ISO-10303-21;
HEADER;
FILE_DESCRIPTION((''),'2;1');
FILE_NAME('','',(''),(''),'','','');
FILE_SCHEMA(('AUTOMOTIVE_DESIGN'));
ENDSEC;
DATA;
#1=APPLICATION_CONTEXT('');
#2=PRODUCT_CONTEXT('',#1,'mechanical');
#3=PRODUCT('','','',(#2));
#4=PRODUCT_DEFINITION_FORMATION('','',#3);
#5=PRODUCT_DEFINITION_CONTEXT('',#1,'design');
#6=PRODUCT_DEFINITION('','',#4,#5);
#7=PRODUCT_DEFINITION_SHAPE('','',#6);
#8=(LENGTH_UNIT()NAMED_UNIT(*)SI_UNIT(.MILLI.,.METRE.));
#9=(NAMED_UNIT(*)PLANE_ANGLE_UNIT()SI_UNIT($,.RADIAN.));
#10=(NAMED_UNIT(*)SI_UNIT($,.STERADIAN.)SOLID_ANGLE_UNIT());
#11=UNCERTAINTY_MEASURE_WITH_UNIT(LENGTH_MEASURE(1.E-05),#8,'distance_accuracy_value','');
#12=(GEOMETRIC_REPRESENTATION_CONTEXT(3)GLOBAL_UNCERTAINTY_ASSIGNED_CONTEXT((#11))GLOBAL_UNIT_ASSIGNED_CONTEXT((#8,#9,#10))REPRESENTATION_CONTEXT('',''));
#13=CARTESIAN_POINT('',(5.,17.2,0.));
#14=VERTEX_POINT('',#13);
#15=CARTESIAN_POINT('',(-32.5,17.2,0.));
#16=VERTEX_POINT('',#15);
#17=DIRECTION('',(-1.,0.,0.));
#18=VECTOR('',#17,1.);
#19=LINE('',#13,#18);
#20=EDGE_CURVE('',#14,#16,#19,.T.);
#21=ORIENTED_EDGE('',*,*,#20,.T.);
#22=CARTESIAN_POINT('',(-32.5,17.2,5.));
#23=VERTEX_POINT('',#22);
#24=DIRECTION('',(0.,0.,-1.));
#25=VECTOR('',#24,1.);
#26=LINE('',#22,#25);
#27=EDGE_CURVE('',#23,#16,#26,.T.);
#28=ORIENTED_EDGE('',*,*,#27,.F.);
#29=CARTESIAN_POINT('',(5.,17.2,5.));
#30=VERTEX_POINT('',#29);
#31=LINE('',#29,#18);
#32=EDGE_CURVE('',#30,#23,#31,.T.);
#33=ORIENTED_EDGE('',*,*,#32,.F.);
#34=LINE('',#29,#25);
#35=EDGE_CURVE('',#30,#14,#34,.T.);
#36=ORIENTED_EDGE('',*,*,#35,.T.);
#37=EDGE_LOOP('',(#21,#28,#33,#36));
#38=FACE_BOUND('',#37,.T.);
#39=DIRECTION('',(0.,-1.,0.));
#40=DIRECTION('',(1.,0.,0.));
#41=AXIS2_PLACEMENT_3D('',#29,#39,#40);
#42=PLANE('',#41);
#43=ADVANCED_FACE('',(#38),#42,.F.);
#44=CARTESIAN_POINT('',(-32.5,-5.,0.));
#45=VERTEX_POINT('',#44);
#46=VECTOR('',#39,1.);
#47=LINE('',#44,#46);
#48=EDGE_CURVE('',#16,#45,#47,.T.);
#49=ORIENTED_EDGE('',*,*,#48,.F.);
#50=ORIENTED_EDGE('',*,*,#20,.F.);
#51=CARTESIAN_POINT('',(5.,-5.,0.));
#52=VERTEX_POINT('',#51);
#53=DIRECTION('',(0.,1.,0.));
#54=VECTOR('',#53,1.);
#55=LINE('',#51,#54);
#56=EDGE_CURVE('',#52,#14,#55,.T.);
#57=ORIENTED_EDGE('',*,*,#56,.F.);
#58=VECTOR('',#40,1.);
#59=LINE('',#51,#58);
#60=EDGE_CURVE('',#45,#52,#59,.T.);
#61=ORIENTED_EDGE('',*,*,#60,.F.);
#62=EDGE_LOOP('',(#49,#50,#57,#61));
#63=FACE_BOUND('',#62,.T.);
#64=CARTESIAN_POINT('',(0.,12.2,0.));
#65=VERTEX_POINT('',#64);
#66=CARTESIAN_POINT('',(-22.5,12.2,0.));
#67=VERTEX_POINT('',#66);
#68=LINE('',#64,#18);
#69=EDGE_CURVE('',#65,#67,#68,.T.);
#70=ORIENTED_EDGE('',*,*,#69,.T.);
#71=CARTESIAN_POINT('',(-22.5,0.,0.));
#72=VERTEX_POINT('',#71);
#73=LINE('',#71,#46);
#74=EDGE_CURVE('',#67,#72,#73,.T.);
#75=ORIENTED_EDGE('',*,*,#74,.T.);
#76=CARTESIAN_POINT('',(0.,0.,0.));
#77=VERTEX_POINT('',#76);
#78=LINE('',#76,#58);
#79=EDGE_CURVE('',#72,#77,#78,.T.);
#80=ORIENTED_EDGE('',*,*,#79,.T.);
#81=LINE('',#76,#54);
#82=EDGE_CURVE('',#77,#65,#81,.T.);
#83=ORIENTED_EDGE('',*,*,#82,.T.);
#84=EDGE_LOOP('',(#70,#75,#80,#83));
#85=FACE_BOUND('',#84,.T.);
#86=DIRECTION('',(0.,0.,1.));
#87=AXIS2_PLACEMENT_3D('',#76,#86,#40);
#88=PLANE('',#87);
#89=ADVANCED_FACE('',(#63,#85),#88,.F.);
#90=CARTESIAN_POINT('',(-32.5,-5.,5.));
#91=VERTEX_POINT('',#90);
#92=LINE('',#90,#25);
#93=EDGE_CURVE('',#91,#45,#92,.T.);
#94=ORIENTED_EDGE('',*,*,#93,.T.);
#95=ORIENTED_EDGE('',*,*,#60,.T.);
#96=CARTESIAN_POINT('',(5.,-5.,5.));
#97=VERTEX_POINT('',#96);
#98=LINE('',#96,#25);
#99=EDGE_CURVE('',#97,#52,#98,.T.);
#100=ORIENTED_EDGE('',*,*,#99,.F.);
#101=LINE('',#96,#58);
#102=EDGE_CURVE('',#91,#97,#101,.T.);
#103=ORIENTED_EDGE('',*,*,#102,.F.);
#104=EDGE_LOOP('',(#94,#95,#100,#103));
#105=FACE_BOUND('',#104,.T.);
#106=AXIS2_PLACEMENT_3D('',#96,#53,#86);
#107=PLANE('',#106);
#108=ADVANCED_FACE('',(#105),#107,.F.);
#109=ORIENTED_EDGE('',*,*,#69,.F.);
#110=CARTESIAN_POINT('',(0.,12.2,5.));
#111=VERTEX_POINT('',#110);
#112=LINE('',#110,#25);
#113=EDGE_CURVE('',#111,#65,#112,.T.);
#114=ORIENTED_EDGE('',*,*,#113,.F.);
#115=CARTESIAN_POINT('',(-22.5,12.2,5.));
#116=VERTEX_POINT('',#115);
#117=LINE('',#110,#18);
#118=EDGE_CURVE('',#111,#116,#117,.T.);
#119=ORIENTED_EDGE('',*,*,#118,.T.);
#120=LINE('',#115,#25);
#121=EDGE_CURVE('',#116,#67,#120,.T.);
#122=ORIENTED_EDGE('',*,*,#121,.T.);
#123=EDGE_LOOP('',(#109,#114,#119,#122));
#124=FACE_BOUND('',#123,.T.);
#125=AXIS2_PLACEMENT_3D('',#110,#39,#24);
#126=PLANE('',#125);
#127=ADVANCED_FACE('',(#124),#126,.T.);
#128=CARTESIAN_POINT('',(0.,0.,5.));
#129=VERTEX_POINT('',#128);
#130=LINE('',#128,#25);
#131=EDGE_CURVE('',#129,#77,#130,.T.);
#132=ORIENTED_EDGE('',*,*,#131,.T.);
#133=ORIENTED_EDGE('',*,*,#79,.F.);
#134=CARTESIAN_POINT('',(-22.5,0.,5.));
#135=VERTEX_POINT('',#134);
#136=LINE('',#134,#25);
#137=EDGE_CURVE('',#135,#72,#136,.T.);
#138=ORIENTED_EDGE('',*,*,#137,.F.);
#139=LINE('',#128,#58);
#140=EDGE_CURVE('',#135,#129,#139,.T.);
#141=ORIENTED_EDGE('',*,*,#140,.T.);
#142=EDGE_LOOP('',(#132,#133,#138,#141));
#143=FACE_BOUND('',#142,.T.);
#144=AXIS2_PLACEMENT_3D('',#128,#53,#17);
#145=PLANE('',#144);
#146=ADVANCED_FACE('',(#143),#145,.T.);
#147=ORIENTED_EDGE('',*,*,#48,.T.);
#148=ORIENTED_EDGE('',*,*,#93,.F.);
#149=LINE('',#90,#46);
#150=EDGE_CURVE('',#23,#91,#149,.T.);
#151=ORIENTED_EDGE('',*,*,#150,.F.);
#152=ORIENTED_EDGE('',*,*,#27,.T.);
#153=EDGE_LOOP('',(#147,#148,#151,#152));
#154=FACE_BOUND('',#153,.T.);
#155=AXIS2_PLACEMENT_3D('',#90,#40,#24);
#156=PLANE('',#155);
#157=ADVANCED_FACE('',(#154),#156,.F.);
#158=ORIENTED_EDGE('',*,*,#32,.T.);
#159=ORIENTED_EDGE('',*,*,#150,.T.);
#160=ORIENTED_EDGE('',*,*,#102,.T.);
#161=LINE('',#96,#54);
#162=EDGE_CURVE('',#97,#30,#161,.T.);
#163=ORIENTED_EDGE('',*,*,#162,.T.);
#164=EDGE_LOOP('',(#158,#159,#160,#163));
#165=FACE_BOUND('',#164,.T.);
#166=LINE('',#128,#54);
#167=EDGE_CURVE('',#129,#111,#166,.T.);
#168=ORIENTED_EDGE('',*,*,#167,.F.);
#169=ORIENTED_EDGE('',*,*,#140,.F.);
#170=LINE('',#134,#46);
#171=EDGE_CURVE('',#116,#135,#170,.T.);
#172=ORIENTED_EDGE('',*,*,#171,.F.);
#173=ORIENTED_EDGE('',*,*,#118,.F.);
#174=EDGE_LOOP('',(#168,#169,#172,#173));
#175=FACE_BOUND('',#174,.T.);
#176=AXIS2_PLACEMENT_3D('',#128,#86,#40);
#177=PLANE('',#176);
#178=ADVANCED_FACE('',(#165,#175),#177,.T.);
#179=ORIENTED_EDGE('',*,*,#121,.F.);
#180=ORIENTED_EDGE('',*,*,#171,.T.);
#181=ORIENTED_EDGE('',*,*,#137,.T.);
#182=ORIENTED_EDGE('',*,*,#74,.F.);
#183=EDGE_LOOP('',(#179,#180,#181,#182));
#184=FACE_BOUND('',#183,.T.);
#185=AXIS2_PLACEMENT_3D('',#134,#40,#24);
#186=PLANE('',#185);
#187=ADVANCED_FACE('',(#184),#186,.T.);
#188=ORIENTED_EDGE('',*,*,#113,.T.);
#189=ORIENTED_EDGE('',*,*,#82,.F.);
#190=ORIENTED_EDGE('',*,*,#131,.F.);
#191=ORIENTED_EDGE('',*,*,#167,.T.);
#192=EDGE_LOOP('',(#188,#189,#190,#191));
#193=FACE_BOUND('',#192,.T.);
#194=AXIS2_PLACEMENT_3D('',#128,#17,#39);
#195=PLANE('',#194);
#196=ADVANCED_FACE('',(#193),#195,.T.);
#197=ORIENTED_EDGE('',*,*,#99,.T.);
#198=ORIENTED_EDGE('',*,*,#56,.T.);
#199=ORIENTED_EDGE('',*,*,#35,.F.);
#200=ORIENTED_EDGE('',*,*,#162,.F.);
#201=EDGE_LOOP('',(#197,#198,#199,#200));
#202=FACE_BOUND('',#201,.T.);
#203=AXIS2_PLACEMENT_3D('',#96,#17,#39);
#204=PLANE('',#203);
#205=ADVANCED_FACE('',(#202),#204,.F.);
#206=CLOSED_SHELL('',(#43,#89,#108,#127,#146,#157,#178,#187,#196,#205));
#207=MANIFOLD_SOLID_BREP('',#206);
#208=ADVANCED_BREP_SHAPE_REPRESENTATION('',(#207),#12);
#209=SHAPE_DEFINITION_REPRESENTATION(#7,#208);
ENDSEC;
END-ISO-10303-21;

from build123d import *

# Parameters (mm, degrees)
SKETCH1_W           = 37.5
SKETCH1_H           = 22.2
SKETCH1_W_2         = 22.5
SKETCH1_H_2         = 12.2
BOSS_EXTRUDE1_DEPTH = 5


with BuildPart() as part:
    # Sketch1 → Boss-Extrude1 (new body)
    with BuildSketch(Plane.XY):
        with Locations((-13.75, 6.1)):
            Rectangle(SKETCH1_W, SKETCH1_H)
        with Locations((-11.25, 6.1)):
            Rectangle(SKETCH1_W_2, SKETCH1_H_2, mode=Mode.SUBTRACT)
    extrude(amount=BOSS_EXTRUDE1_DEPTH)


solid = part.part
